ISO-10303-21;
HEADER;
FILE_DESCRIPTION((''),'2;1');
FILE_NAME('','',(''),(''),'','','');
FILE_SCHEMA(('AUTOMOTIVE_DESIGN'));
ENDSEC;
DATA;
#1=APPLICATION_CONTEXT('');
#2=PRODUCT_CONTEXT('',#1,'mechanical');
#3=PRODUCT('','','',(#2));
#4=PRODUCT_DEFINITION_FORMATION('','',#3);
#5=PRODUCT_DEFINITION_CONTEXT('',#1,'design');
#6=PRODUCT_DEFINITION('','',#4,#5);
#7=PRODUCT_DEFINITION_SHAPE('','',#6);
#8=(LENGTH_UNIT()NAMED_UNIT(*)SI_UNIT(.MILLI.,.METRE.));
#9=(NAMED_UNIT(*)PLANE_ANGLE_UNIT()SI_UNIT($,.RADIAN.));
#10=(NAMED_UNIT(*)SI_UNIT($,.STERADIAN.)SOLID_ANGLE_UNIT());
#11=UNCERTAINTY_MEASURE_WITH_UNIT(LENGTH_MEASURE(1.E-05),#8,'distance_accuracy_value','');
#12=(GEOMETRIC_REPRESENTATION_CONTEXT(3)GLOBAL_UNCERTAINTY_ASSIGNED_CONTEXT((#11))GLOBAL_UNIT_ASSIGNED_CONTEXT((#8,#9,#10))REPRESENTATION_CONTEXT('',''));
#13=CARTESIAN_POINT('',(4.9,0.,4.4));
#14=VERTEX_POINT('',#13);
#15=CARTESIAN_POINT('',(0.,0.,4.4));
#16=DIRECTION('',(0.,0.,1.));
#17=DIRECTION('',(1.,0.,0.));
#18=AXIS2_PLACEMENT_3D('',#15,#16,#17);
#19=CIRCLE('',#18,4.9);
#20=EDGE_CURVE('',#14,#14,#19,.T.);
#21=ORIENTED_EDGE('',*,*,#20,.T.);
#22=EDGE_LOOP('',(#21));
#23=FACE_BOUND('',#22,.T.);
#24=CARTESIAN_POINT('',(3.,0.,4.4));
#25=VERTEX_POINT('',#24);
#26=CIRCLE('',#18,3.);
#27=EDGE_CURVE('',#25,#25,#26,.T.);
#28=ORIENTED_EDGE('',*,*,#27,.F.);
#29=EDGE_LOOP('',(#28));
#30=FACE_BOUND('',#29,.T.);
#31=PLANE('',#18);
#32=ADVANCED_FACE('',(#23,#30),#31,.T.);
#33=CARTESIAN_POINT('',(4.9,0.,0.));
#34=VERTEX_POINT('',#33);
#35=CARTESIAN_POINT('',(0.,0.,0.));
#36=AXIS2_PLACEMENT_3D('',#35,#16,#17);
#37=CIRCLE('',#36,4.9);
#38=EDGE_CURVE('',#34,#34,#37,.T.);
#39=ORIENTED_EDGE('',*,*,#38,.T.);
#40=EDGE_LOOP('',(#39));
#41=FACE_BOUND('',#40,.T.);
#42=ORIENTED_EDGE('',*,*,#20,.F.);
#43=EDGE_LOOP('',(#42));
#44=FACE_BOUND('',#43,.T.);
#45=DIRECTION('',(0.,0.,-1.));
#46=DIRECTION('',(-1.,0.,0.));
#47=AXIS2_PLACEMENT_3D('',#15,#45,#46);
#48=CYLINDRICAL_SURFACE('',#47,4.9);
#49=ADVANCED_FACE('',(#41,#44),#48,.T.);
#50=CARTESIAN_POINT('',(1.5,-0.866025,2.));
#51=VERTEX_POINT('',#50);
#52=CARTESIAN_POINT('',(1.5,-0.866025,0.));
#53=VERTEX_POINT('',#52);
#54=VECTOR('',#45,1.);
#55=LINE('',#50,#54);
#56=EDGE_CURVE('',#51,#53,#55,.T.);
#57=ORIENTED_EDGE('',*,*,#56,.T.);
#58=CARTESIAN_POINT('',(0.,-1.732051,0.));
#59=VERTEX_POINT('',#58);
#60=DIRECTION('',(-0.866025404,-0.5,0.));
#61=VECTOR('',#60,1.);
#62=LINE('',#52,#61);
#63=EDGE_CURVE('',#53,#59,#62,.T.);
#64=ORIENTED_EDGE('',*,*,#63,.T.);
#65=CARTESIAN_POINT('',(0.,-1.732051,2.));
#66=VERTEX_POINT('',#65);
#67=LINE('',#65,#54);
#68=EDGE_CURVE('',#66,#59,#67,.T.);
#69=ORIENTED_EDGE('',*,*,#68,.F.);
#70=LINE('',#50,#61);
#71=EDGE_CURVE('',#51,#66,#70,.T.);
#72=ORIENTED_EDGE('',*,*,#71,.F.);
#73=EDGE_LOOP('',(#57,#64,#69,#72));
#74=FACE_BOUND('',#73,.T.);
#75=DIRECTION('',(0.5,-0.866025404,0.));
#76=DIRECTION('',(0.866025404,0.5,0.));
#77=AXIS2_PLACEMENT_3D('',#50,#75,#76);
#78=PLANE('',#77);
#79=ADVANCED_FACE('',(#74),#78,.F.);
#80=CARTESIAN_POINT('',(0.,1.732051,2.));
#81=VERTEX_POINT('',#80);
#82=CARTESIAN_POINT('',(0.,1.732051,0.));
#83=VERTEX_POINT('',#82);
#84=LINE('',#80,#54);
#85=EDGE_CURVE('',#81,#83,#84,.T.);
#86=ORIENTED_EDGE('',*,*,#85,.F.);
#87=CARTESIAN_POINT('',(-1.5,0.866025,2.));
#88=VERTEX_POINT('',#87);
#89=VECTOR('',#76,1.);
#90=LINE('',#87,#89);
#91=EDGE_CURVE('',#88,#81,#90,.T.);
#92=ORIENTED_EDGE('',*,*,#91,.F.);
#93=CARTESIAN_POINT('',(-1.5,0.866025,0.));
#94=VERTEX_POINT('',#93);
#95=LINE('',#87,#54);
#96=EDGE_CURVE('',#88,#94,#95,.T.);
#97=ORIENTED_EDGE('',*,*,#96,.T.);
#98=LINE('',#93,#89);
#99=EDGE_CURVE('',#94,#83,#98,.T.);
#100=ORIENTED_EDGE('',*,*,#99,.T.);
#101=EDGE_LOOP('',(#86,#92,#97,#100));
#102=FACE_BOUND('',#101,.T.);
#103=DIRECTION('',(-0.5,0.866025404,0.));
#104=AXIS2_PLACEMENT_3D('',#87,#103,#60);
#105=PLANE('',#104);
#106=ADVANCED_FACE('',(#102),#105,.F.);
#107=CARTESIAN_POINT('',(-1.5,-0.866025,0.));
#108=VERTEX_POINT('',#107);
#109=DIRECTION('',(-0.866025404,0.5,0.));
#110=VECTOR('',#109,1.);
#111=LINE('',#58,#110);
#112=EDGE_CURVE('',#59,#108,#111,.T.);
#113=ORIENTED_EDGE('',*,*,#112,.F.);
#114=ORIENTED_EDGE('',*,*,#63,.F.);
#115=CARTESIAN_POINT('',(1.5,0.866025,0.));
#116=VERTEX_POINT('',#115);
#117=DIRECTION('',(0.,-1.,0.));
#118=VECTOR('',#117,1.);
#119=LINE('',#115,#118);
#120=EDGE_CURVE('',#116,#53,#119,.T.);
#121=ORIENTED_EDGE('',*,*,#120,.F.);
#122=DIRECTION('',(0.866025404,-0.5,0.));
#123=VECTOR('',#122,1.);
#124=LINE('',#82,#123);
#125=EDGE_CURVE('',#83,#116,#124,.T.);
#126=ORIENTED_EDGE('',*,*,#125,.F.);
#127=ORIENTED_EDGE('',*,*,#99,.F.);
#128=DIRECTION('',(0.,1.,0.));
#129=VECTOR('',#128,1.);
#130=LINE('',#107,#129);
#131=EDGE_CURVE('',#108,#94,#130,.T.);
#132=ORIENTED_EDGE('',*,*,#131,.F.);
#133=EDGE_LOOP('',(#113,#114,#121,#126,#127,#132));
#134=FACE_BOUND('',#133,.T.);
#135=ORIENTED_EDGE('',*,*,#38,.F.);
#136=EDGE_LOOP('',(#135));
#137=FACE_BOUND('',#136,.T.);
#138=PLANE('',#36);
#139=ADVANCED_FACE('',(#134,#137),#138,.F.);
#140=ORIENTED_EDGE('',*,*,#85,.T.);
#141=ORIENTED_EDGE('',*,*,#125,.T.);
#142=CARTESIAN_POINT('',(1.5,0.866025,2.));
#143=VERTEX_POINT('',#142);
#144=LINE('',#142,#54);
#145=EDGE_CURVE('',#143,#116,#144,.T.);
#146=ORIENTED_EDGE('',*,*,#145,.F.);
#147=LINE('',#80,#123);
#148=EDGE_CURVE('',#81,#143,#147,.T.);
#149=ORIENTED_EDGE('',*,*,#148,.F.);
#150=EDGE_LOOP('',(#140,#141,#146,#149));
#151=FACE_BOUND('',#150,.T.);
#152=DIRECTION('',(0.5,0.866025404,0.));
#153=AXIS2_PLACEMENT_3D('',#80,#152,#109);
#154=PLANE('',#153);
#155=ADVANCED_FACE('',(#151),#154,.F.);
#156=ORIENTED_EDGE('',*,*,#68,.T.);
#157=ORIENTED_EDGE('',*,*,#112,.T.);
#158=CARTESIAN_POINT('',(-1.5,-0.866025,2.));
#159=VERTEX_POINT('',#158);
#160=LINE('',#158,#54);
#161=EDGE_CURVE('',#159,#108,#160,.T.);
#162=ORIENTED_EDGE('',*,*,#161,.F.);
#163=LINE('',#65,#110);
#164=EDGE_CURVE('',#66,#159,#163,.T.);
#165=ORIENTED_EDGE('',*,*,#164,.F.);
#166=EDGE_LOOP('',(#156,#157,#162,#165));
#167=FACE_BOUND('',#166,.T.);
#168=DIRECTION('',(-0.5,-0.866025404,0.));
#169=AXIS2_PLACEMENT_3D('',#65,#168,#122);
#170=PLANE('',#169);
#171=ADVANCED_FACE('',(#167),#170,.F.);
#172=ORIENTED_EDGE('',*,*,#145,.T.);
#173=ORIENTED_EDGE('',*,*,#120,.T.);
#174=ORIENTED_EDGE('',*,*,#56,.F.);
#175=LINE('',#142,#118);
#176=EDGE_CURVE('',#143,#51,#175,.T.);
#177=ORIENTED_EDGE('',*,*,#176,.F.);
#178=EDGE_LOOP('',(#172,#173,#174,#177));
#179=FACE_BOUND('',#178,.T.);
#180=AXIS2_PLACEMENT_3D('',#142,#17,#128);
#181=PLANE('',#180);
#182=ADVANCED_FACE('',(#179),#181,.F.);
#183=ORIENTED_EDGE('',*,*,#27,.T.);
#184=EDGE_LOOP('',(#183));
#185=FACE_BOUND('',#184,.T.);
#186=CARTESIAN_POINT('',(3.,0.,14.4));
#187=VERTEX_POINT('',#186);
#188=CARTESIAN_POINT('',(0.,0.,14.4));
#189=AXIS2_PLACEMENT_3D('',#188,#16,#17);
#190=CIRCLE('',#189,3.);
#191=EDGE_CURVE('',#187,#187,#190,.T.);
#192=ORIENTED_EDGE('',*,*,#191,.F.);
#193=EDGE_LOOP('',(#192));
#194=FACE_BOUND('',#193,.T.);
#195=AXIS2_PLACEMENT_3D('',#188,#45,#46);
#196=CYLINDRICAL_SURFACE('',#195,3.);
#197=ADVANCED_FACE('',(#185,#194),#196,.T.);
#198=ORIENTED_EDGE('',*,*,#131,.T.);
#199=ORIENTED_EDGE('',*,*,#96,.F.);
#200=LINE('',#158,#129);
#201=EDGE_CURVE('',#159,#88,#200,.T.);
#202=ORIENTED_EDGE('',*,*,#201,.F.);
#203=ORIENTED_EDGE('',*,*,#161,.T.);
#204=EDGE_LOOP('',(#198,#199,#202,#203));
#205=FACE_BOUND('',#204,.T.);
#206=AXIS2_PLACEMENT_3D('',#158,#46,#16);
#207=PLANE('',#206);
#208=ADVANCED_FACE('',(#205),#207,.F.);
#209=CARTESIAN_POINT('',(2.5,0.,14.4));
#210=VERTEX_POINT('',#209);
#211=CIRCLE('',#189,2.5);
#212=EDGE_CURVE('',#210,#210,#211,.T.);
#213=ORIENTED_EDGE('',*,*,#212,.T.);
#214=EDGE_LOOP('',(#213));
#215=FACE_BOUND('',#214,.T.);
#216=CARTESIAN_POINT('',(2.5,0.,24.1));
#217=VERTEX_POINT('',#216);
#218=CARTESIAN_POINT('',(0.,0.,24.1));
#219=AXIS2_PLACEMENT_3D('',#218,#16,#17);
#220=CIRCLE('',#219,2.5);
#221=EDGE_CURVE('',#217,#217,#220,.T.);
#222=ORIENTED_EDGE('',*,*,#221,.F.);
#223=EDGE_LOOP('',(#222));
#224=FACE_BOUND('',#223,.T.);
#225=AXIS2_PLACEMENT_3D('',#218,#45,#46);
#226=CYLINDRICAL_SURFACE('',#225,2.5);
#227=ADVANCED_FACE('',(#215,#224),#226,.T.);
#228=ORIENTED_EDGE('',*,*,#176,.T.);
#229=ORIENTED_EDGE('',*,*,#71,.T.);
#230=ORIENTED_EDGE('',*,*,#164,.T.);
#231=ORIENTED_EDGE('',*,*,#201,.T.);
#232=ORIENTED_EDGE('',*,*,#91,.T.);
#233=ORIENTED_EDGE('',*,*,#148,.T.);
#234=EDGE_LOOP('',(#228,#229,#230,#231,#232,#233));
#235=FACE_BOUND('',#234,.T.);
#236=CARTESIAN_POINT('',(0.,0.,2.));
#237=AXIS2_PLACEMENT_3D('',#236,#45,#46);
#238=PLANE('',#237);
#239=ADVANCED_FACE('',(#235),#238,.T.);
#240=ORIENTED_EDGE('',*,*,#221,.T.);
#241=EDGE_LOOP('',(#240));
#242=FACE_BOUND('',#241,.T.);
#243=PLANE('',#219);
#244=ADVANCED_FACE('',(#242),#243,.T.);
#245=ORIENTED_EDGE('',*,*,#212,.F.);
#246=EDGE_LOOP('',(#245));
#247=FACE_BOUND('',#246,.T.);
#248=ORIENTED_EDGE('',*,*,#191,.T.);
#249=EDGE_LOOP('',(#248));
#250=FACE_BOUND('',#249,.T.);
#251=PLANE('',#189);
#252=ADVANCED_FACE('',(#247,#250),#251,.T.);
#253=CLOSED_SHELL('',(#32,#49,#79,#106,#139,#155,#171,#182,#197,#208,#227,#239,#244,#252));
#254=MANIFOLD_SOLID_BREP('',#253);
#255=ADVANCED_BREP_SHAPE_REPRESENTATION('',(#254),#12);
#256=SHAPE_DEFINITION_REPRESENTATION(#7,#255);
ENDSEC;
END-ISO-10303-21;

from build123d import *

# Parameters (mm, degrees)
SKETCH_1_R          = 4.9
EXTRUDE_1_DEPTH     = 4.4
SKETCH_2_R          = 3
EXTRUDE_2_DEPTH     = 10
SKETCH_3_R          = 2.5
EXTRUDE_3_DEPTH     = 9.7
CUT_EXTRUDE_1_DEPTH = 2


with BuildPart() as part:
    # 草图1 → 凸台-拉伸1 (new body)
    with BuildSketch(Plane.XY):
        Circle(SKETCH_1_R)
    extrude(amount=EXTRUDE_1_DEPTH)

    # 草图2 → 凸台-拉伸2 (add)
    with BuildSketch(Plane.XY.offset(4.4)):
        Circle(SKETCH_2_R)
    extrude(amount=EXTRUDE_2_DEPTH)

    # 草图3 → 凸台-拉伸3 (add)
    with BuildSketch(Plane.XY.offset(14.4)):
        Circle(SKETCH_3_R)
    extrude(amount=EXTRUDE_3_DEPTH)

    # 草图4 → 切除-拉伸1 (cut)
    with BuildSketch(Plane(origin=(0, 0, 0), x_dir=(-1, 0, 0), z_dir=(0, 0, -1))):
        Polygon((0, 1.732050808), (-1.5, 0.866025404), (-1.5, -0.866025404), (0, -1.732050808), (1.5, -0.866025404), (1.5, 0.866025404), align=None)
    extrude(amount=-CUT_EXTRUDE_1_DEPTH, mode=Mode.SUBTRACT)


solid = part.part
